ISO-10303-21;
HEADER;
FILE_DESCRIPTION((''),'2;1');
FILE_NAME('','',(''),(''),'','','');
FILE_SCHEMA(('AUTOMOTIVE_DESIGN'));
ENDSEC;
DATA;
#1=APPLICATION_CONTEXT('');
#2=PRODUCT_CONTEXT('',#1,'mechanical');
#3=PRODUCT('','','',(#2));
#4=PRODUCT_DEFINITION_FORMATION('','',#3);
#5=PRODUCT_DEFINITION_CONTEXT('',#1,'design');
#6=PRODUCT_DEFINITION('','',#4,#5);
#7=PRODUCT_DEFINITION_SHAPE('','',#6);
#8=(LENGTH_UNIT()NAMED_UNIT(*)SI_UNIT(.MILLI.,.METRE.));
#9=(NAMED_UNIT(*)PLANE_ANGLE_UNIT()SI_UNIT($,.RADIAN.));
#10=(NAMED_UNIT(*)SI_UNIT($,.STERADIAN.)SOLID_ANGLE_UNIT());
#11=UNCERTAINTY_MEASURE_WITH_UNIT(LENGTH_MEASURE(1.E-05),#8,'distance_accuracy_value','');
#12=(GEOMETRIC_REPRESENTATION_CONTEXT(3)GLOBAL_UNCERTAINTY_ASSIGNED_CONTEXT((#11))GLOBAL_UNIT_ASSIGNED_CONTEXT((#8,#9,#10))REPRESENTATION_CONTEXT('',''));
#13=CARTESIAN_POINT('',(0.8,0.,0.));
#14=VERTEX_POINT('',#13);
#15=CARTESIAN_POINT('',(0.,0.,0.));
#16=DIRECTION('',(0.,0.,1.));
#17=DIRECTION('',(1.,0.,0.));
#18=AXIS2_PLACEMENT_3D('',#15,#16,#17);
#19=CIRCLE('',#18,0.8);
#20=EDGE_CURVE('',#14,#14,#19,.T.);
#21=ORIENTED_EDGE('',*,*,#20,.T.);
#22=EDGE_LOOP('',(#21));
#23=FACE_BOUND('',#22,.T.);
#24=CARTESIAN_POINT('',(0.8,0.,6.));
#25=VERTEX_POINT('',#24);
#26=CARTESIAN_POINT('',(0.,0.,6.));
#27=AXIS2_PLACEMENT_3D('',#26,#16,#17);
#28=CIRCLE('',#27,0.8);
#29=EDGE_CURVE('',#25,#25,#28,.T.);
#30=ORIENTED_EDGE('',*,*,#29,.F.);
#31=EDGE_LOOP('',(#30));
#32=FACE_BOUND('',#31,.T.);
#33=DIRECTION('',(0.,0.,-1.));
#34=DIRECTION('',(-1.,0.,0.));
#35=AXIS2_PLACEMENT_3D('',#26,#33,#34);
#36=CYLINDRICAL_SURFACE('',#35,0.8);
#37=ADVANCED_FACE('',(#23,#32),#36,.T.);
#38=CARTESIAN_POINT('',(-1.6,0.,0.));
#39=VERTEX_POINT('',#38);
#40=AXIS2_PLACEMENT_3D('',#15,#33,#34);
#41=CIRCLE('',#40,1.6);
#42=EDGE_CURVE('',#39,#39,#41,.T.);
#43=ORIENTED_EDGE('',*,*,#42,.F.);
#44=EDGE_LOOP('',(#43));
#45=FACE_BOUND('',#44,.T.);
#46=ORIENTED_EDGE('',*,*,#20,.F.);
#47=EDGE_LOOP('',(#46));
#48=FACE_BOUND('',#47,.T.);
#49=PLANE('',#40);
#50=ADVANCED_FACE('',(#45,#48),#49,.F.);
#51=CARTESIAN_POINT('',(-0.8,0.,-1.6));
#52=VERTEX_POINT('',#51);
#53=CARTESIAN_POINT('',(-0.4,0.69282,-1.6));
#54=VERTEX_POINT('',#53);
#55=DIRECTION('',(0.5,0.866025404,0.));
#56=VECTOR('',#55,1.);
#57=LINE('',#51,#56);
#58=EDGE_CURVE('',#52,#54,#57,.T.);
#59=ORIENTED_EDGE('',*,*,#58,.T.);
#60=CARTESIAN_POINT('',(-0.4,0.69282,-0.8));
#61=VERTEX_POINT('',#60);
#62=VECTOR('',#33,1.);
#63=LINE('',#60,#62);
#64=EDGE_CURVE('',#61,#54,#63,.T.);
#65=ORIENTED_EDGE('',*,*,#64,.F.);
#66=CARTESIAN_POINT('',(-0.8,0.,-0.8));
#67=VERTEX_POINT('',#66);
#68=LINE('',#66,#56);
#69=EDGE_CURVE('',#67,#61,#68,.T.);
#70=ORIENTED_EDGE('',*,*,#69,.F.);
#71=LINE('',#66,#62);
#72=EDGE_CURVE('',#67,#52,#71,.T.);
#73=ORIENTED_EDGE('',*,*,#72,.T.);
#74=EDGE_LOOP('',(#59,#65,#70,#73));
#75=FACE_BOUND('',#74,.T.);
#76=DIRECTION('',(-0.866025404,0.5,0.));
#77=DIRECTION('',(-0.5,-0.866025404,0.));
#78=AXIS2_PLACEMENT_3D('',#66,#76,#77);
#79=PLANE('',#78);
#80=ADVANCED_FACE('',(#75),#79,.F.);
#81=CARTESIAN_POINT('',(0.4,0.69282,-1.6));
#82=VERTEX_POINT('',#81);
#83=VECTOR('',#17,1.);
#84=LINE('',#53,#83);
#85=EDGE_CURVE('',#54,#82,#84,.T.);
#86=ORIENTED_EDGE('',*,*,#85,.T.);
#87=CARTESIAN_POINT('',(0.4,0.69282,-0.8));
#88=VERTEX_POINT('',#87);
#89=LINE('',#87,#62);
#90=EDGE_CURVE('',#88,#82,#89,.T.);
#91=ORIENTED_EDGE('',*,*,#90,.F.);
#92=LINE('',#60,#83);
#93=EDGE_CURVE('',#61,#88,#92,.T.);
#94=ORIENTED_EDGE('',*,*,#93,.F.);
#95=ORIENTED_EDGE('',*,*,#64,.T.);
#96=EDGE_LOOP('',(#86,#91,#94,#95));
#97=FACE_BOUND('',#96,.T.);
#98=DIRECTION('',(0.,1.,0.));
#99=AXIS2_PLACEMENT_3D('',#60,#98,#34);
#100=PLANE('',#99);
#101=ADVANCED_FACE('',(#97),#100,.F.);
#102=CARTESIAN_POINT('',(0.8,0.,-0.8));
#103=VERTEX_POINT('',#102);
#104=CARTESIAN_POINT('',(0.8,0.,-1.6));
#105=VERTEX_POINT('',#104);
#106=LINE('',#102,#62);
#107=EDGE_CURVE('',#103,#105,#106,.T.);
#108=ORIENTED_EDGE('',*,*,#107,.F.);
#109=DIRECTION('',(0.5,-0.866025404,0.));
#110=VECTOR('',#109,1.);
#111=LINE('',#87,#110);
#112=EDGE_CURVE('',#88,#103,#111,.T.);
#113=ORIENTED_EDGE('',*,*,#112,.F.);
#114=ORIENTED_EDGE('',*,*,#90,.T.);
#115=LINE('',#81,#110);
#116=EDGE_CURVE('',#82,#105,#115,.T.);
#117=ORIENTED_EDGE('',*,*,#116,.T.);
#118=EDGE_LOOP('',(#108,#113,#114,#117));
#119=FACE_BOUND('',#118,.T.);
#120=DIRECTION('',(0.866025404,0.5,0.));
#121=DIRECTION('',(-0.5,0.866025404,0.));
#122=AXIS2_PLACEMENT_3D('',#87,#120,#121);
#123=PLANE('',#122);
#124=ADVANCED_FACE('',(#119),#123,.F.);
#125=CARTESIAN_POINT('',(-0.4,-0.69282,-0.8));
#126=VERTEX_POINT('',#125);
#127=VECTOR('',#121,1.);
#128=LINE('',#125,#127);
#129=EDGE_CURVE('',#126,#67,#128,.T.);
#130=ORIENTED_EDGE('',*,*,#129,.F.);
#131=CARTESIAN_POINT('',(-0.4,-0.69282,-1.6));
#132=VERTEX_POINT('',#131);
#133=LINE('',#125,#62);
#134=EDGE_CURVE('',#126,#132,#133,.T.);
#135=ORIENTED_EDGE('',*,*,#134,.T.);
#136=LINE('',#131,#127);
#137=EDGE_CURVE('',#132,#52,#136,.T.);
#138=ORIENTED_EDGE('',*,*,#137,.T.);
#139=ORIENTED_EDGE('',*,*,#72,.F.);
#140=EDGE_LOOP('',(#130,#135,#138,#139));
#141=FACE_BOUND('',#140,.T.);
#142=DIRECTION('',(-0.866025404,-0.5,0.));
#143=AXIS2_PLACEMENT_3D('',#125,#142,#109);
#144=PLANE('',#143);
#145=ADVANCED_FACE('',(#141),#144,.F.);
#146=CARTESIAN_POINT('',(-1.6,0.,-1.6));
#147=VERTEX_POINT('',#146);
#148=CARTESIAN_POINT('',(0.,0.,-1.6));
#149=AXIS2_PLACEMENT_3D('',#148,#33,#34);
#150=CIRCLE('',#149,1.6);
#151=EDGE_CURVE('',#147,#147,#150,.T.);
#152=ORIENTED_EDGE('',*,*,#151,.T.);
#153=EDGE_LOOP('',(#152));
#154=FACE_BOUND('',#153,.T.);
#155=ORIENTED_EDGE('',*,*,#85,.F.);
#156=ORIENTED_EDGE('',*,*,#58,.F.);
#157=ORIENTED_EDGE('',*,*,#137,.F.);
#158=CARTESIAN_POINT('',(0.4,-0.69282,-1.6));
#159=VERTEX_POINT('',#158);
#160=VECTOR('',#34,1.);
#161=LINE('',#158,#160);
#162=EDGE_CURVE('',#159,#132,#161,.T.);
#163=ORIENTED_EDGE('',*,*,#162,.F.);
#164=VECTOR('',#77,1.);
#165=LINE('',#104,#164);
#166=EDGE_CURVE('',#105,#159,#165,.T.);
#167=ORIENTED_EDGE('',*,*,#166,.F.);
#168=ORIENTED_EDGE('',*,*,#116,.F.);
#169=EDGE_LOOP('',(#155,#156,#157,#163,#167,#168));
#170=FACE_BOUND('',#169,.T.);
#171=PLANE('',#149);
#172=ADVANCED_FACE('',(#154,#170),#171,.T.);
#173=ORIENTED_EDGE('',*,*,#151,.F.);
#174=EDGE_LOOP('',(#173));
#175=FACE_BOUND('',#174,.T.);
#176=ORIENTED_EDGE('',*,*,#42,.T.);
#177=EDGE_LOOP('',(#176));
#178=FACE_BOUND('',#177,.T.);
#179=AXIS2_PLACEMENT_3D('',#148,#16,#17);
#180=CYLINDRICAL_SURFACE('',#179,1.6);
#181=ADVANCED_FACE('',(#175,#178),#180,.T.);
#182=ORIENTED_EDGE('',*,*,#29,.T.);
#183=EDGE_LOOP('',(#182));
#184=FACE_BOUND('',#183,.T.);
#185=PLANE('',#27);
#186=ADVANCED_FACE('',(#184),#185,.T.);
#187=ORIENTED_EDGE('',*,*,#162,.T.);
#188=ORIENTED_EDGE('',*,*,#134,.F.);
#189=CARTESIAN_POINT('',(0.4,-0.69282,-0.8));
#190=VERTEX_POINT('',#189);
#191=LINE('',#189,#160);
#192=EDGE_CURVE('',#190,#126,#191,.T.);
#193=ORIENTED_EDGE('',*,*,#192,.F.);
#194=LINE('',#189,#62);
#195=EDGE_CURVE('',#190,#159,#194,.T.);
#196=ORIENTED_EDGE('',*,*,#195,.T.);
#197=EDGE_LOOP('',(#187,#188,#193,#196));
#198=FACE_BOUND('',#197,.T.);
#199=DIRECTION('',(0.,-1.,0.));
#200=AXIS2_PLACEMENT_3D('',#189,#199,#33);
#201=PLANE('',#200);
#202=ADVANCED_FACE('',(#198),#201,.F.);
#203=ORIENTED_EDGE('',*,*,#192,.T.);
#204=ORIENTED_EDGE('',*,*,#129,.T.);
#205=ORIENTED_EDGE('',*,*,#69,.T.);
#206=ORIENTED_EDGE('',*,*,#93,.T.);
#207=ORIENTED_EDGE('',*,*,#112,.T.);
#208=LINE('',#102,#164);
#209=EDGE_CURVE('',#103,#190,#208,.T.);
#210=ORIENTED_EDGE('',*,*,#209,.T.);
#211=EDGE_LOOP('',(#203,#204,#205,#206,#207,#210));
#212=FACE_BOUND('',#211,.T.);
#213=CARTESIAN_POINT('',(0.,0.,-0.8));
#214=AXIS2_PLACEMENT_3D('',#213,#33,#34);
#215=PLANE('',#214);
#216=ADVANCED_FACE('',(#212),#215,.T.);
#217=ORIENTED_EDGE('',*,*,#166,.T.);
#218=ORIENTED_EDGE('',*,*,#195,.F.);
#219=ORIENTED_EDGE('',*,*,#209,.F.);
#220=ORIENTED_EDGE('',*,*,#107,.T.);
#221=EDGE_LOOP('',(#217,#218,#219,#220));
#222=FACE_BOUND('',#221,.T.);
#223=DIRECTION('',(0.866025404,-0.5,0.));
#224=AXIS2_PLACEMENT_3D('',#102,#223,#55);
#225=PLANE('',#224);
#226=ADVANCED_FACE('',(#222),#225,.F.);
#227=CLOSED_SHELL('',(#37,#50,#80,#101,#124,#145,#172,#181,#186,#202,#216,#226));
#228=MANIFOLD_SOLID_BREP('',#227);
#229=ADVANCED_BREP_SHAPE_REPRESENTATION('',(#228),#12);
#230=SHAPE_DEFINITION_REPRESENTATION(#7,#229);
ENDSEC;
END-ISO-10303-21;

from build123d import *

# Parameters (mm, degrees)
SKETCH_1_R          = 0.8
EXTRUDE_1_DEPTH     = 6
SKETCH_2_R          = 1.6
EXTRUDE_2_DEPTH     = 1.6
CUT_EXTRUDE_1_DEPTH = 0.8


with BuildPart() as part:
    # 草图1 → 凸台-拉伸1 (new body)
    with BuildSketch(Plane.XY):
        Circle(SKETCH_1_R)
    extrude(amount=EXTRUDE_1_DEPTH)

    # 草图2 → 凸台-拉伸2 (add)
    with BuildSketch(Plane(origin=(0, 0, 0), x_dir=(-1, 0, 0), z_dir=(0, 0, -1))):
        Circle(SKETCH_2_R)
    extrude(amount=EXTRUDE_2_DEPTH)

    # 草图3 → 切除-拉伸1 (cut)
    with BuildSketch(Plane(origin=(0, 0, -1.6), x_dir=(-1, 0, 0), z_dir=(0, 0, -1))):
        Polygon((0.8, 0), (0.4, 0.692820323), (-0.4, 0.692820323), (-0.8, 0), (-0.4, -0.692820323), (0.4, -0.692820323), align=None)
    extrude(amount=-CUT_EXTRUDE_1_DEPTH, mode=Mode.SUBTRACT)


solid = part.part
